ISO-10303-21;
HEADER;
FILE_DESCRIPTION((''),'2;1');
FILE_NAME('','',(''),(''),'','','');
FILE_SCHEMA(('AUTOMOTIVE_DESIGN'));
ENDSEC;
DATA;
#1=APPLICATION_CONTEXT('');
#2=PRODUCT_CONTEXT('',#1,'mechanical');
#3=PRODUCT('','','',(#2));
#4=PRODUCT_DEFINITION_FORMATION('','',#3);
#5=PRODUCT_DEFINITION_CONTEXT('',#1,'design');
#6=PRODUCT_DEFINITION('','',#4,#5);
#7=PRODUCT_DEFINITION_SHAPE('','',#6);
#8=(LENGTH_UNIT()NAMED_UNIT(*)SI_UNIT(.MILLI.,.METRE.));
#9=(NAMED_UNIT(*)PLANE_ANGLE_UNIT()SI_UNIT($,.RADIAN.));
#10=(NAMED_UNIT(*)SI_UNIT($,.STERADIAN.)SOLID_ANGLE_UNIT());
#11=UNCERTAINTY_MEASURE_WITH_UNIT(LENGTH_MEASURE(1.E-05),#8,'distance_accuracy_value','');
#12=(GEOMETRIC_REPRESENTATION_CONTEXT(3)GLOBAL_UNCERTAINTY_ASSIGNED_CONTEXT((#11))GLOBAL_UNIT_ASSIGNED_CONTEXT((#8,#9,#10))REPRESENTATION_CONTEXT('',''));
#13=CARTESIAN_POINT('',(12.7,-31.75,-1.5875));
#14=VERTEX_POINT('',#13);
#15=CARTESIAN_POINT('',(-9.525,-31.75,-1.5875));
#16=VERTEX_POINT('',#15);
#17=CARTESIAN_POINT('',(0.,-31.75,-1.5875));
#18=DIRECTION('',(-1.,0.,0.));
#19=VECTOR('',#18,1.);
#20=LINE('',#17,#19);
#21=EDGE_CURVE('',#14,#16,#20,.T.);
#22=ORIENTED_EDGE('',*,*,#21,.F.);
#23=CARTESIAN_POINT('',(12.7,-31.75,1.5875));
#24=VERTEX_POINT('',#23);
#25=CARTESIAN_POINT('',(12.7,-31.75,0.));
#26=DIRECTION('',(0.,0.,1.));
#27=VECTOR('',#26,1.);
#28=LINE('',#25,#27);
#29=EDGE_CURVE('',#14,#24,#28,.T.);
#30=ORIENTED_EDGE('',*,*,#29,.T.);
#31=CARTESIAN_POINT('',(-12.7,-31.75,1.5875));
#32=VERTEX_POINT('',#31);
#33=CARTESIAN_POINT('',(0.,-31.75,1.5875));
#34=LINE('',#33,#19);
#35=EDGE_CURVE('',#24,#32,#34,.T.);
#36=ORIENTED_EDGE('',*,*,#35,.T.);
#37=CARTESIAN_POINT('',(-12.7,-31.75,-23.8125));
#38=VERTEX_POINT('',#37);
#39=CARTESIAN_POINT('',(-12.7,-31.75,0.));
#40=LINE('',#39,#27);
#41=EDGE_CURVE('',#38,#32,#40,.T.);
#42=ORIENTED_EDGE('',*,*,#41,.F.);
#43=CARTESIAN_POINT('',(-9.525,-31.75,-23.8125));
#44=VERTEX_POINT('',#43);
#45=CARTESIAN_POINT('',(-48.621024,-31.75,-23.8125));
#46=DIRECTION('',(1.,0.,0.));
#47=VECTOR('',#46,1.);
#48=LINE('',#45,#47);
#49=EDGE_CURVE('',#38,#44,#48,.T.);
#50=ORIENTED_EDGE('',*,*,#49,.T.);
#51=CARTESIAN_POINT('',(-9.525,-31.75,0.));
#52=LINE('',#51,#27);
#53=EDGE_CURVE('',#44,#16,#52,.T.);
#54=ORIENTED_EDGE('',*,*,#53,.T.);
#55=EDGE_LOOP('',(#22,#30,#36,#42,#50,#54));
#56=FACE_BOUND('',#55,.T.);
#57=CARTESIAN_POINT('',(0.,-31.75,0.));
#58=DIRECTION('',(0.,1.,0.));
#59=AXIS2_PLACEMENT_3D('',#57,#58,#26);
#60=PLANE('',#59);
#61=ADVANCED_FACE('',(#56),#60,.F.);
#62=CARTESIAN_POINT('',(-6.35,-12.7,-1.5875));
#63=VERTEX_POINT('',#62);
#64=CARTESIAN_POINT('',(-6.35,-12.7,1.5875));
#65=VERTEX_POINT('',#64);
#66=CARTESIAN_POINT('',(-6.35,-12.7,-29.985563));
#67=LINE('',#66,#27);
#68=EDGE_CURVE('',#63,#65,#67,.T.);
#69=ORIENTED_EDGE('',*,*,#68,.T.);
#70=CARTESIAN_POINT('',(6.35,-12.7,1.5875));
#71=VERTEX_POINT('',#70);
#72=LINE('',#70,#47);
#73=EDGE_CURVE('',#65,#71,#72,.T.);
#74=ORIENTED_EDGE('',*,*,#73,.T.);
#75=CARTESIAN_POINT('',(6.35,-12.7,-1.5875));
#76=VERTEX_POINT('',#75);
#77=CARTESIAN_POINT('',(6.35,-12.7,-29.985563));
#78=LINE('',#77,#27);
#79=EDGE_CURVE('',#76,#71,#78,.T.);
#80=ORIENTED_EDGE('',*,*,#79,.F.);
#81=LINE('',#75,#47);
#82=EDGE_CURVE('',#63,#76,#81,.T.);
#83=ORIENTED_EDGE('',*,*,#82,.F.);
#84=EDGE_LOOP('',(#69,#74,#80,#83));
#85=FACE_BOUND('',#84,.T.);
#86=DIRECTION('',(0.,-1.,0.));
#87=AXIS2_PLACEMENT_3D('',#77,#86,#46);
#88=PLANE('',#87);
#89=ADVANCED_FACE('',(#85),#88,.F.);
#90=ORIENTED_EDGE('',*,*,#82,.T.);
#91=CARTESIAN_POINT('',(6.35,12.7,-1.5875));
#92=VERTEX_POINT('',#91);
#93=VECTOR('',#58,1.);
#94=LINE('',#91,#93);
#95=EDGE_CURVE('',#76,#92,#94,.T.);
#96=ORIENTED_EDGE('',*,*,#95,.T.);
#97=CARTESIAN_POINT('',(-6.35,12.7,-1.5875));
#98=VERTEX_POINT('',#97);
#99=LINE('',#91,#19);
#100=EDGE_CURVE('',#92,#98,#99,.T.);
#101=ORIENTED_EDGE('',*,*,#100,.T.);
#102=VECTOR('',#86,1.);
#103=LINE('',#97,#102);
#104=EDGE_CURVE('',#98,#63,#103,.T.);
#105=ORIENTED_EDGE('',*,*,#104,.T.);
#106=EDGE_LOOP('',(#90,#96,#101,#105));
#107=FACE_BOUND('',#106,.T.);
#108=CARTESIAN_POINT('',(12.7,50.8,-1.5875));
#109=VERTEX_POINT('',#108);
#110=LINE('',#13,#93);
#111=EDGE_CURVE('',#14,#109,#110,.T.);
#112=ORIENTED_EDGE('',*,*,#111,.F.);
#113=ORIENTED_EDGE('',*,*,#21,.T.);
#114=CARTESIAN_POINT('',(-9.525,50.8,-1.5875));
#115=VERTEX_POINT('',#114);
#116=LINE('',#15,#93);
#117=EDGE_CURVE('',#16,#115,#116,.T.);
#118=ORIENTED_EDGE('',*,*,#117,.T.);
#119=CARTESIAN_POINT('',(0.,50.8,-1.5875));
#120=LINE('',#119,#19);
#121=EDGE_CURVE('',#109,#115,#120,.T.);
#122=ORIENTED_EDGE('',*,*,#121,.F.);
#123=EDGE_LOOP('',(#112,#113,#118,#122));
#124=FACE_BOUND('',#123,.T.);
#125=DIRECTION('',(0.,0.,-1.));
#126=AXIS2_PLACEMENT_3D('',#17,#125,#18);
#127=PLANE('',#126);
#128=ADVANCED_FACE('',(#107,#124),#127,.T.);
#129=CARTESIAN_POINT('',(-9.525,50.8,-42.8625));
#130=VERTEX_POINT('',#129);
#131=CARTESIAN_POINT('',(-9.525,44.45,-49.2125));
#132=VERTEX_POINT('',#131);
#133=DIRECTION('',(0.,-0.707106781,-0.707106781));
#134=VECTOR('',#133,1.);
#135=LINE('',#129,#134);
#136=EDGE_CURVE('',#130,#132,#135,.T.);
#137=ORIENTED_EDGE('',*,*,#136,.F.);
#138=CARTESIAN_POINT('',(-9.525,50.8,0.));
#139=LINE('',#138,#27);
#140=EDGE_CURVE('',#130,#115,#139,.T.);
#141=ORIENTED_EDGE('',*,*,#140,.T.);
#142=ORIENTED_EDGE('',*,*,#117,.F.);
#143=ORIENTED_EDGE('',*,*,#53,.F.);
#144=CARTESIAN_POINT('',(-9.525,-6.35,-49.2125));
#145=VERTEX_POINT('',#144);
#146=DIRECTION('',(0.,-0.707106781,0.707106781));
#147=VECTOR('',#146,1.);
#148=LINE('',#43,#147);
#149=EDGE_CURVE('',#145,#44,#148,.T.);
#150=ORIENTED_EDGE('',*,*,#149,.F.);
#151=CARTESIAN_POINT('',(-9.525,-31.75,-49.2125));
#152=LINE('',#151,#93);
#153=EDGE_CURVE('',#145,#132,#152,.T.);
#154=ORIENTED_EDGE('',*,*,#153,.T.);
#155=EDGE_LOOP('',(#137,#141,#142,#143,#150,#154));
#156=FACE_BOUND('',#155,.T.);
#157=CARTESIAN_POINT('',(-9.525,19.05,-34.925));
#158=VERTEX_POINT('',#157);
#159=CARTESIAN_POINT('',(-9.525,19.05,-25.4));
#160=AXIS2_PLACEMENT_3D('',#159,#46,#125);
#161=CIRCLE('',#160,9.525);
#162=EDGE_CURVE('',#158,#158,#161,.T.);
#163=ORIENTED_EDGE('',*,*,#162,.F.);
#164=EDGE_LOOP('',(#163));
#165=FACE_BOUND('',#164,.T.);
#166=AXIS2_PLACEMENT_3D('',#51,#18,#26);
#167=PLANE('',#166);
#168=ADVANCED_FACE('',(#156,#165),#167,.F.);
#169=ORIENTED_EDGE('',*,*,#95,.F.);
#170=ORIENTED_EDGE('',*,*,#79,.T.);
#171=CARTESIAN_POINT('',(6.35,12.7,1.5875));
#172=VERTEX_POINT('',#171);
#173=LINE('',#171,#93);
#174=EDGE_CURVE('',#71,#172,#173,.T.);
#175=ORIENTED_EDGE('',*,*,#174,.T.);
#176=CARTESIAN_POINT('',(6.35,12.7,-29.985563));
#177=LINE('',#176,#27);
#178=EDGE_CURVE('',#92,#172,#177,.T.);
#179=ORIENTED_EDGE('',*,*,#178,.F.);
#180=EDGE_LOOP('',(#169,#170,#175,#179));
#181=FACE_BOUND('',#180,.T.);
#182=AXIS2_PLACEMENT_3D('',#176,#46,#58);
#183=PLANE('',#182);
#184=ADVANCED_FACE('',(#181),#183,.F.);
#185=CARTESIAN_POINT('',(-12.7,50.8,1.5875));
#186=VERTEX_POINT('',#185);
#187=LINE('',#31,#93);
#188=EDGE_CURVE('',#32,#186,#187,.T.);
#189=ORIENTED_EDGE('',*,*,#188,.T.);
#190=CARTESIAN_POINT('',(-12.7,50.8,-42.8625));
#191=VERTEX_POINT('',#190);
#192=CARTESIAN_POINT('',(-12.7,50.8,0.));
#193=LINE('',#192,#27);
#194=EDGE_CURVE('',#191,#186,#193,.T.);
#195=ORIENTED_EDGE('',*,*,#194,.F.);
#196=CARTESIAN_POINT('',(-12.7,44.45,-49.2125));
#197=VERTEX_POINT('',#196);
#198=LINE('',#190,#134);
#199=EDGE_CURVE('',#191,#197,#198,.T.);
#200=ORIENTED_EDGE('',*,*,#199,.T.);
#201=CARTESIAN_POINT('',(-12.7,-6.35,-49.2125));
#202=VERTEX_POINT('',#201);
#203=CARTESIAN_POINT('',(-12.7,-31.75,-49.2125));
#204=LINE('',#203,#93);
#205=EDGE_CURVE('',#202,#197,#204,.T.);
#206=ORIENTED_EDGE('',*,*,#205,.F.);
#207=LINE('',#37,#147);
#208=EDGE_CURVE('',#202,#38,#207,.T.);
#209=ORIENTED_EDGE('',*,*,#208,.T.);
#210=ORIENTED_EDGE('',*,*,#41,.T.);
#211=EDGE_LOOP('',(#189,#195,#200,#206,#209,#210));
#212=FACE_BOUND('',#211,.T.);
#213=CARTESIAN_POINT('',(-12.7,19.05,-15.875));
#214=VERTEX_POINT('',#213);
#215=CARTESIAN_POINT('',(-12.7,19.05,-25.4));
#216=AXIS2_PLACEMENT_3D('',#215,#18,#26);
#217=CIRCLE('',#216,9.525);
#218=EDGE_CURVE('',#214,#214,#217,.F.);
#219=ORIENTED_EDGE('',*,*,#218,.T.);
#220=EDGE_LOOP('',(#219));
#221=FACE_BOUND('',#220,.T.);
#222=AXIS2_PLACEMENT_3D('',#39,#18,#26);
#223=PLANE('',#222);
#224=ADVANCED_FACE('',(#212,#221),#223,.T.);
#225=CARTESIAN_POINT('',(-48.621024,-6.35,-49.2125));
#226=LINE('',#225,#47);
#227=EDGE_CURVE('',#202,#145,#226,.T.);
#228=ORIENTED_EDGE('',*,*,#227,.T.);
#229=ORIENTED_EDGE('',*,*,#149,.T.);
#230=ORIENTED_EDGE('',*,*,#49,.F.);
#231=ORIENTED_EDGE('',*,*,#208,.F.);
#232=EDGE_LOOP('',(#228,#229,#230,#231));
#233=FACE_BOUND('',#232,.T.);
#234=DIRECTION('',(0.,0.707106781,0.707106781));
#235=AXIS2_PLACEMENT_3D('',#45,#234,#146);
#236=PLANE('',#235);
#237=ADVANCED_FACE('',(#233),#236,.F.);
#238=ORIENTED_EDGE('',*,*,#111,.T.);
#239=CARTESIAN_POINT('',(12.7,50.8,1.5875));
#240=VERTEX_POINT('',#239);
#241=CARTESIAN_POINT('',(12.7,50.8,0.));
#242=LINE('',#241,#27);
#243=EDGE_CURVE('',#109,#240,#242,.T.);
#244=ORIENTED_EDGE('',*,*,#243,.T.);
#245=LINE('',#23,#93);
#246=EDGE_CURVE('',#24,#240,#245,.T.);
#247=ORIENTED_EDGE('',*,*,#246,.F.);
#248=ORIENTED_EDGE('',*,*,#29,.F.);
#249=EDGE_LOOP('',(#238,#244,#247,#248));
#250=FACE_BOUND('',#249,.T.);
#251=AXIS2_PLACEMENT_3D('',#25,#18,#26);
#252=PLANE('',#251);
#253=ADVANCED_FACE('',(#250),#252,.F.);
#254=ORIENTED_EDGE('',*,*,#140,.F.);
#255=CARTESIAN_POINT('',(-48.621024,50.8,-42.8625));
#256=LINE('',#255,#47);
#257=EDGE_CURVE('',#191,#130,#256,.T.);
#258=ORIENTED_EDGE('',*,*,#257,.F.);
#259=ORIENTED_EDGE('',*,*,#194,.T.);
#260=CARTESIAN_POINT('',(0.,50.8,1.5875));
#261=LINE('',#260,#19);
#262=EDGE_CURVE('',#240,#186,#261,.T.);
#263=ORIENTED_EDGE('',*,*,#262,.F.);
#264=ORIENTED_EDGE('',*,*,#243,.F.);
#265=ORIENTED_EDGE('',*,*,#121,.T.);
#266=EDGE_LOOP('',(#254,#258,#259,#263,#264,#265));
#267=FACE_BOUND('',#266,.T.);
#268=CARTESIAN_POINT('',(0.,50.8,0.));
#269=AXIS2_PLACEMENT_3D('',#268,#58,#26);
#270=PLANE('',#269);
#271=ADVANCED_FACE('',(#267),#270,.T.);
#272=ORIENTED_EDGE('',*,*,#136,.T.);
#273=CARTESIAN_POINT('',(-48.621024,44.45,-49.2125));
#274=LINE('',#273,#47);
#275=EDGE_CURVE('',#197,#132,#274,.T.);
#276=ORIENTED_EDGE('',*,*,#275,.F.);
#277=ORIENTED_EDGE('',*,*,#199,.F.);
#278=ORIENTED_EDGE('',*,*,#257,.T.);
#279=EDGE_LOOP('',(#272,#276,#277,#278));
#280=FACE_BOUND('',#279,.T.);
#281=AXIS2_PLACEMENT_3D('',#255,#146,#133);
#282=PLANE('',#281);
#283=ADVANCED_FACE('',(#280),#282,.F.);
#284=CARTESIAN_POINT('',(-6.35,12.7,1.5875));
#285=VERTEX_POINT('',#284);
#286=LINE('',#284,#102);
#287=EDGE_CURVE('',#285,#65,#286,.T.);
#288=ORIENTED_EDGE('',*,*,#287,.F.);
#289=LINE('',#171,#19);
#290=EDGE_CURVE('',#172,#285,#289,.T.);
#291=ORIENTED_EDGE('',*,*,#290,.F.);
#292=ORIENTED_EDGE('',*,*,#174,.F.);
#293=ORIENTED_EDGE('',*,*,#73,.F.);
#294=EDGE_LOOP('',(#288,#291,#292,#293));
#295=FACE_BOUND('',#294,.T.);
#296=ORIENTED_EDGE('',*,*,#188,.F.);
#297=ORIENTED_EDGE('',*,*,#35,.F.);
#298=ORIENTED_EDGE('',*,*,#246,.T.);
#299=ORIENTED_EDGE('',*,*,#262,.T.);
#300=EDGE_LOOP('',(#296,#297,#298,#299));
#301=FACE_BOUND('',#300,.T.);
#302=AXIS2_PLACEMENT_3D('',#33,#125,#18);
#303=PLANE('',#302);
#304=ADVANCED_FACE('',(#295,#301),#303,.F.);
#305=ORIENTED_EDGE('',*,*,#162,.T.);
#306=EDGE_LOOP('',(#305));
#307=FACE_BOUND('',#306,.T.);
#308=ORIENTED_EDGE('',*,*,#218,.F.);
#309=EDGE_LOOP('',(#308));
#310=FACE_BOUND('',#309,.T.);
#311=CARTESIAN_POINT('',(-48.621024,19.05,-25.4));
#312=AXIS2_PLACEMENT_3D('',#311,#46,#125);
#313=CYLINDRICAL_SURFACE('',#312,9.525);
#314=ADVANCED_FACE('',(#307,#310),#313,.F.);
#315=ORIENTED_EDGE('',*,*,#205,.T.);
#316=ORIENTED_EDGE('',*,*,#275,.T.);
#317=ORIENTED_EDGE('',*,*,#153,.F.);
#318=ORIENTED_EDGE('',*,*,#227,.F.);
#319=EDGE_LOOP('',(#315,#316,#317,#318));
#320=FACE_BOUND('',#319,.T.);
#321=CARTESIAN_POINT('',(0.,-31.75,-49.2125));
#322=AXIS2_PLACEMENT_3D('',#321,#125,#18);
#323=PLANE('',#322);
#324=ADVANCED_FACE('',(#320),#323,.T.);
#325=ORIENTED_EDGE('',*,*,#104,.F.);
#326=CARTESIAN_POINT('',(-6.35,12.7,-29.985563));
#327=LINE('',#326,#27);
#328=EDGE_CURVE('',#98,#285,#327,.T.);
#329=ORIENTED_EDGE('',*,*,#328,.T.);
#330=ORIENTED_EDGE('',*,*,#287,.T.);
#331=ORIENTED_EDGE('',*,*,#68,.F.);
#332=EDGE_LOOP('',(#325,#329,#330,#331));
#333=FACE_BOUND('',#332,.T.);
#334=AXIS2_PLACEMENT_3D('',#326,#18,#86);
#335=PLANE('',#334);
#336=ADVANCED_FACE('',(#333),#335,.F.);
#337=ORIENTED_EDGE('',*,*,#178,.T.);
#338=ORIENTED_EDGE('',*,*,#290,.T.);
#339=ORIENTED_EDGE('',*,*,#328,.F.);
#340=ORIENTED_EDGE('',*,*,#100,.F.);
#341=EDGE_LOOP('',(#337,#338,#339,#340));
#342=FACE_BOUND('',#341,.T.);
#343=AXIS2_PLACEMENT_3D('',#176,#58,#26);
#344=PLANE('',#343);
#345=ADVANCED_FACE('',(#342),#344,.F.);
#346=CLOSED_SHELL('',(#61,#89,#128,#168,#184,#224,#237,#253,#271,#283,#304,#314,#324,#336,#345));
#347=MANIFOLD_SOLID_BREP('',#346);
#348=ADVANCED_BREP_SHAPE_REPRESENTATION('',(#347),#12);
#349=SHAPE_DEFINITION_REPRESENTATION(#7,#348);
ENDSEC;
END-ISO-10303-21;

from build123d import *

# Parameters (mm, degrees)
BOSS_EXTRUDE1_DEPTH      = 50.8
BOSS_EXTRUDE1_DEPTH_BACK = 31.75
SKETCH1_W                = 22.225
SKETCH1_H                = 3.175
SKETCH1_W_2              = 3.175
SKETCH1_H_2              = 47.625
SKETCH2_R                = 9.525
CUT_EXTRUDE1_DEPTH       = 3.175
SKETCH3_W                = 12.7
SKETCH3_H                = 25.4
CUT_EXTRUDE2_DEPTH       = 3.175


with BuildPart() as part:
    # Sketch1 → Boss-Extrude1 (new, two sides: drawn at the far end of the back side and taken through both)
    with BuildSketch(Plane(origin=(0, 0, 0), x_dir=(1, 0, 0), z_dir=(0, 1, 0)).offset(-BOSS_EXTRUDE1_DEPTH_BACK)):
        with Locations((1.5875, 0)):
            Rectangle(SKETCH1_W, SKETCH1_H)
        with Locations((-11.1125, 25.4)):
            Rectangle(SKETCH1_W_2, SKETCH1_H_2)
        with Locations((-11.1125, 0)):
            Rectangle(SKETCH1_W_2, SKETCH1_H)
    extrude(amount=BOSS_EXTRUDE1_DEPTH + BOSS_EXTRUDE1_DEPTH_BACK)

    # Sketch2 → Cut-Extrude1 (cut)
    with BuildSketch(Plane(origin=(-9.525, 0, 0), x_dir=(0, 0, -1), z_dir=(1, 0, 0))):
        with Locations((25.4, 19.05)):
            Circle(SKETCH2_R)
        Polygon((42.8625, 50.8), (49.2125, 44.45), (49.2125, 50.8), align=None)
        Polygon((23.8125, -31.75), (49.2125, -31.75), (49.2125, -6.35), align=None)
    extrude(amount=-CUT_EXTRUDE1_DEPTH, mode=Mode.SUBTRACT)

    # Sketch3 → Cut-Extrude2 (cut)
    with BuildSketch(Plane.XY.offset(1.5875)):
        Rectangle(SKETCH3_W, SKETCH3_H)
    extrude(amount=-CUT_EXTRUDE2_DEPTH, mode=Mode.SUBTRACT)


solid = part.part
